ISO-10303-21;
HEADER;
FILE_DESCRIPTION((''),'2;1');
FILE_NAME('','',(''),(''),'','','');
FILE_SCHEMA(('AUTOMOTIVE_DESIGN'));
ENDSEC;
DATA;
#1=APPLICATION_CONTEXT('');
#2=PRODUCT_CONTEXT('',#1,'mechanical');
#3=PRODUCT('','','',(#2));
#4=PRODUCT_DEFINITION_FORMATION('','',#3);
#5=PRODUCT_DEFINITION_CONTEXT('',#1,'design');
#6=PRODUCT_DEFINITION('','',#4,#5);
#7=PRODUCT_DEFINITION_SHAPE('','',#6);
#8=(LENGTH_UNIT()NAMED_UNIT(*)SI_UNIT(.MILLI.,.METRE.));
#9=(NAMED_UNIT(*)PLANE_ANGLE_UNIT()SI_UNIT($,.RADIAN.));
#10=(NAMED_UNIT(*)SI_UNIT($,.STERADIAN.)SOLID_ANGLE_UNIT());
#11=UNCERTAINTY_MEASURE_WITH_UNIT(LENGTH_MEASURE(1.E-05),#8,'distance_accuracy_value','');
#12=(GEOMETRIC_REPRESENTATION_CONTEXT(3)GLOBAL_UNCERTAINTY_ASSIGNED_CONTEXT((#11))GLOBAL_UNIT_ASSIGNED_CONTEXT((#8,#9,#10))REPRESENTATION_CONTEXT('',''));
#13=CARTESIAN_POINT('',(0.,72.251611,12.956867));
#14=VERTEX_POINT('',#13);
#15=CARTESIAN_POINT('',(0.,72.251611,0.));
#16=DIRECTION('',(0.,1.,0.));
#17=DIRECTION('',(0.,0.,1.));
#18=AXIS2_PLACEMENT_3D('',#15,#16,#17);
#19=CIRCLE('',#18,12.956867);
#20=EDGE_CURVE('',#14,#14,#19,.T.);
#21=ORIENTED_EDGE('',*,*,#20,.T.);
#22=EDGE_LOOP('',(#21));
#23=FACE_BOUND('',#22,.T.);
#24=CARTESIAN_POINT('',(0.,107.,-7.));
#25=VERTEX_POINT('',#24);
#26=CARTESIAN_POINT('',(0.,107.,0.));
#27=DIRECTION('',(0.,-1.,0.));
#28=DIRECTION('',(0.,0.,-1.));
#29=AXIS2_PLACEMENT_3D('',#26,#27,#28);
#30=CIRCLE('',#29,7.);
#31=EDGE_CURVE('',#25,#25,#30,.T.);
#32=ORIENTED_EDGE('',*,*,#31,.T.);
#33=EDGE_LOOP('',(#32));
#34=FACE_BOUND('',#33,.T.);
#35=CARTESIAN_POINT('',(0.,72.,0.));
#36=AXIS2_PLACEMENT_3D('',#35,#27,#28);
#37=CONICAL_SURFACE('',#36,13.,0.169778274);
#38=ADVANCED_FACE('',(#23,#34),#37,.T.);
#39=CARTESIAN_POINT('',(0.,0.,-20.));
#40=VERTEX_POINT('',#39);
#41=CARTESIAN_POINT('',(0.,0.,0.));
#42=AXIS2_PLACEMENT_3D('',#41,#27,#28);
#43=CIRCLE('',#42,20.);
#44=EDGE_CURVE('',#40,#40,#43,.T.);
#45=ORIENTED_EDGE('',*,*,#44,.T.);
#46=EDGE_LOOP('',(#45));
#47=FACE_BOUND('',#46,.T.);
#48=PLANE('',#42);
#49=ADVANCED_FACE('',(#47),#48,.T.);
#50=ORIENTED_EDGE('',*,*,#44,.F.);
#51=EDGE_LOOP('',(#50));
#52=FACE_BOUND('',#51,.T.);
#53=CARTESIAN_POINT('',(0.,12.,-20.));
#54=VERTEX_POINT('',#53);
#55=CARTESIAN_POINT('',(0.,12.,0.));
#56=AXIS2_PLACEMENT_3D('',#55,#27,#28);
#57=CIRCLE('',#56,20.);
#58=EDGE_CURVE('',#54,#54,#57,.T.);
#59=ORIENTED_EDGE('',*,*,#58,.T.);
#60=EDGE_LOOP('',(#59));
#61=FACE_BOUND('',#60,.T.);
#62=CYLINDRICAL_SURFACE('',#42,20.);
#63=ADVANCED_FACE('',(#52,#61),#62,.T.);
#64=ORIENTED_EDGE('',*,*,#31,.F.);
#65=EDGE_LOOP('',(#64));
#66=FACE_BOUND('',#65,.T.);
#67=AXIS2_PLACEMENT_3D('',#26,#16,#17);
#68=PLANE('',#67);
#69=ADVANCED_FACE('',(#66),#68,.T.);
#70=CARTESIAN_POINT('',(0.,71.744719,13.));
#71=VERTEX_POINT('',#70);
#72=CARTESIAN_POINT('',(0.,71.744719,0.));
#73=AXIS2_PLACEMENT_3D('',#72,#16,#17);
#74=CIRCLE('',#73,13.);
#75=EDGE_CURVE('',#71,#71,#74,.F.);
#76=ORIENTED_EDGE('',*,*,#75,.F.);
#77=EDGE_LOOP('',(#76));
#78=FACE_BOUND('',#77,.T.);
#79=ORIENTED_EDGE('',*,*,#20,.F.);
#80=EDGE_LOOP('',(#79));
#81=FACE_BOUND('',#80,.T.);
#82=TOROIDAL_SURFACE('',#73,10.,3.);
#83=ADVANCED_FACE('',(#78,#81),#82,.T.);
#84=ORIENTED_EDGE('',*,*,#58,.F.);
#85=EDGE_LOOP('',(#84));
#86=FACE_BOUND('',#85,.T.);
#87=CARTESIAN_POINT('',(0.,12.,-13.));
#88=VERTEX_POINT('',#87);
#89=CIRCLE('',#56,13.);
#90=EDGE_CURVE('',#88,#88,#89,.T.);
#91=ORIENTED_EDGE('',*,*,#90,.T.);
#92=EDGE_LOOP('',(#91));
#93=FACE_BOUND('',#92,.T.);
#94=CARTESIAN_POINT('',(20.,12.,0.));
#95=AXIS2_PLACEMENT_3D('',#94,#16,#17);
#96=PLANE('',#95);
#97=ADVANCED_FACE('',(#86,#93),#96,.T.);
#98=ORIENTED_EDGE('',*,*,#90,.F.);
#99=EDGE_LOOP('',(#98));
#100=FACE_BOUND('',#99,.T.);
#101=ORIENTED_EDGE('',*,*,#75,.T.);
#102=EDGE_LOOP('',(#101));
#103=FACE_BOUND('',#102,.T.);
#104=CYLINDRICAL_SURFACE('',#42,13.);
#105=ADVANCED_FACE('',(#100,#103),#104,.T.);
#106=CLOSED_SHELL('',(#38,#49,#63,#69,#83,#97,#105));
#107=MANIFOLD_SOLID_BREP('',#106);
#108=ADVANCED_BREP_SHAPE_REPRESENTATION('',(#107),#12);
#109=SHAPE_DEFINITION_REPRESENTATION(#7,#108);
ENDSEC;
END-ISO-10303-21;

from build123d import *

# Parameters (mm, degrees)
FILLET_1_R = 3


with BuildPart() as part:
    # 草图1 → Revolve 292 (revolve)
    with BuildSketch(Plane.XY, mode=Mode.PRIVATE) as revolve_292_sk:
        Polygon((0, 0), (20, 0), (20, 12), (13, 12), (13, 72), (7, 107), (0, 107), align=None)
    revolve(revolve_292_sk.sketch.rotate(Axis((0, 0, 0), (0, 1, 0)), 90), axis=Axis((0, 0, 0), (0, 1, 0)))

    # 圆角1
    fillet_1_edges = [part.edges().sort_by_distance(p)[0] for p in [
        (0, 72, 13),
    ]]
    fillet(fillet_1_edges, radius=FILLET_1_R)


solid = part.part
